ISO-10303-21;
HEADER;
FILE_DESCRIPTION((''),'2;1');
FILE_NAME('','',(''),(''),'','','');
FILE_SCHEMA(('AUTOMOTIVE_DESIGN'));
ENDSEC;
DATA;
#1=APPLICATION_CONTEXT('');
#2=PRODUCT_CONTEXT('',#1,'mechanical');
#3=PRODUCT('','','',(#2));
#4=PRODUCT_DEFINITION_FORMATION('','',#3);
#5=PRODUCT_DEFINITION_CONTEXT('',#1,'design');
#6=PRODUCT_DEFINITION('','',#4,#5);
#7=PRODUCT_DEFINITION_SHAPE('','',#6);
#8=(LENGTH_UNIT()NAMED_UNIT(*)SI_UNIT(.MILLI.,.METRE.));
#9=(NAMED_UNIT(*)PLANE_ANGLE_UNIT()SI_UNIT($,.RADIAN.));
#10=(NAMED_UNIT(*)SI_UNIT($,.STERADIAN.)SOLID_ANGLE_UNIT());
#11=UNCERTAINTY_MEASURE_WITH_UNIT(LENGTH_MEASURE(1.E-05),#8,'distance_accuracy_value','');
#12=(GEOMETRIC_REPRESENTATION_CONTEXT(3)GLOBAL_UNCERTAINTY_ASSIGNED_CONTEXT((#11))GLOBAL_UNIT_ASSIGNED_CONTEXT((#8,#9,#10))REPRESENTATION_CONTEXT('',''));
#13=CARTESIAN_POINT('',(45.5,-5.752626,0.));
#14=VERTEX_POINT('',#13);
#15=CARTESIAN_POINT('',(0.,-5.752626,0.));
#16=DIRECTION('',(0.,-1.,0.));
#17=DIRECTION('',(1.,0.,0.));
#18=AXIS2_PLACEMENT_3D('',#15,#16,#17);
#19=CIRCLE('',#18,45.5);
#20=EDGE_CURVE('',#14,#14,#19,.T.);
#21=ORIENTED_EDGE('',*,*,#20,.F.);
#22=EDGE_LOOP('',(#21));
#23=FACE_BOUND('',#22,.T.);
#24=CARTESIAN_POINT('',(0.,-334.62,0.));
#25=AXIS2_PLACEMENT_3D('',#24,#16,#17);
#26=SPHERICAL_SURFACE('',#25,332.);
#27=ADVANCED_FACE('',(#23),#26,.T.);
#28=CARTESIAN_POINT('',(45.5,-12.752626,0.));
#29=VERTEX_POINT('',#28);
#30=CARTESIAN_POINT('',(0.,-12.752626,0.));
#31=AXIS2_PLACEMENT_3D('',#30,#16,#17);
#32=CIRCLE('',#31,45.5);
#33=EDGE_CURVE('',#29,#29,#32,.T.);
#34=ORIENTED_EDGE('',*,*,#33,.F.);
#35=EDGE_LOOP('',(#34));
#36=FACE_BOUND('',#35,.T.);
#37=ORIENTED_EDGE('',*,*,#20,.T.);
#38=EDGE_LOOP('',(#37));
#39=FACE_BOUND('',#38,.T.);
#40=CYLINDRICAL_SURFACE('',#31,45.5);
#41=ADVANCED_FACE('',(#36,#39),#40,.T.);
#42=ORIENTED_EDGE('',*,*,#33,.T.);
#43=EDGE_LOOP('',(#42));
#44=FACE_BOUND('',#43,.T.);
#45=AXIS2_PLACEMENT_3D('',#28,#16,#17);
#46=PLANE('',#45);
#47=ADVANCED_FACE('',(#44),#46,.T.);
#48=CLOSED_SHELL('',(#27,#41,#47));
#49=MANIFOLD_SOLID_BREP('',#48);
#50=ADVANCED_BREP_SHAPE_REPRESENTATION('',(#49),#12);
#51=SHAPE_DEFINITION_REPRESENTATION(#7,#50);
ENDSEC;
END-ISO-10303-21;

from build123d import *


with BuildPart() as part:
    # Sketch1 → Revolve1 (revolve)
    with BuildSketch(Plane.XY):
        with BuildLine():
            Line((45.5, -5.752625516), (45.5, -12.752625516))
            Line((45.5, -12.752625516), (0, -12.752625516))
            Line((0, -12.752625516), (0, -2.62))
            ThreePointArc((0, -2.62), (22.803855719, -3.40408226), (45.5, -5.752625516))
        make_face()
    revolve(axis=Axis((0, -12.752625516, 0), (0, 1, 0)))


solid = part.part
